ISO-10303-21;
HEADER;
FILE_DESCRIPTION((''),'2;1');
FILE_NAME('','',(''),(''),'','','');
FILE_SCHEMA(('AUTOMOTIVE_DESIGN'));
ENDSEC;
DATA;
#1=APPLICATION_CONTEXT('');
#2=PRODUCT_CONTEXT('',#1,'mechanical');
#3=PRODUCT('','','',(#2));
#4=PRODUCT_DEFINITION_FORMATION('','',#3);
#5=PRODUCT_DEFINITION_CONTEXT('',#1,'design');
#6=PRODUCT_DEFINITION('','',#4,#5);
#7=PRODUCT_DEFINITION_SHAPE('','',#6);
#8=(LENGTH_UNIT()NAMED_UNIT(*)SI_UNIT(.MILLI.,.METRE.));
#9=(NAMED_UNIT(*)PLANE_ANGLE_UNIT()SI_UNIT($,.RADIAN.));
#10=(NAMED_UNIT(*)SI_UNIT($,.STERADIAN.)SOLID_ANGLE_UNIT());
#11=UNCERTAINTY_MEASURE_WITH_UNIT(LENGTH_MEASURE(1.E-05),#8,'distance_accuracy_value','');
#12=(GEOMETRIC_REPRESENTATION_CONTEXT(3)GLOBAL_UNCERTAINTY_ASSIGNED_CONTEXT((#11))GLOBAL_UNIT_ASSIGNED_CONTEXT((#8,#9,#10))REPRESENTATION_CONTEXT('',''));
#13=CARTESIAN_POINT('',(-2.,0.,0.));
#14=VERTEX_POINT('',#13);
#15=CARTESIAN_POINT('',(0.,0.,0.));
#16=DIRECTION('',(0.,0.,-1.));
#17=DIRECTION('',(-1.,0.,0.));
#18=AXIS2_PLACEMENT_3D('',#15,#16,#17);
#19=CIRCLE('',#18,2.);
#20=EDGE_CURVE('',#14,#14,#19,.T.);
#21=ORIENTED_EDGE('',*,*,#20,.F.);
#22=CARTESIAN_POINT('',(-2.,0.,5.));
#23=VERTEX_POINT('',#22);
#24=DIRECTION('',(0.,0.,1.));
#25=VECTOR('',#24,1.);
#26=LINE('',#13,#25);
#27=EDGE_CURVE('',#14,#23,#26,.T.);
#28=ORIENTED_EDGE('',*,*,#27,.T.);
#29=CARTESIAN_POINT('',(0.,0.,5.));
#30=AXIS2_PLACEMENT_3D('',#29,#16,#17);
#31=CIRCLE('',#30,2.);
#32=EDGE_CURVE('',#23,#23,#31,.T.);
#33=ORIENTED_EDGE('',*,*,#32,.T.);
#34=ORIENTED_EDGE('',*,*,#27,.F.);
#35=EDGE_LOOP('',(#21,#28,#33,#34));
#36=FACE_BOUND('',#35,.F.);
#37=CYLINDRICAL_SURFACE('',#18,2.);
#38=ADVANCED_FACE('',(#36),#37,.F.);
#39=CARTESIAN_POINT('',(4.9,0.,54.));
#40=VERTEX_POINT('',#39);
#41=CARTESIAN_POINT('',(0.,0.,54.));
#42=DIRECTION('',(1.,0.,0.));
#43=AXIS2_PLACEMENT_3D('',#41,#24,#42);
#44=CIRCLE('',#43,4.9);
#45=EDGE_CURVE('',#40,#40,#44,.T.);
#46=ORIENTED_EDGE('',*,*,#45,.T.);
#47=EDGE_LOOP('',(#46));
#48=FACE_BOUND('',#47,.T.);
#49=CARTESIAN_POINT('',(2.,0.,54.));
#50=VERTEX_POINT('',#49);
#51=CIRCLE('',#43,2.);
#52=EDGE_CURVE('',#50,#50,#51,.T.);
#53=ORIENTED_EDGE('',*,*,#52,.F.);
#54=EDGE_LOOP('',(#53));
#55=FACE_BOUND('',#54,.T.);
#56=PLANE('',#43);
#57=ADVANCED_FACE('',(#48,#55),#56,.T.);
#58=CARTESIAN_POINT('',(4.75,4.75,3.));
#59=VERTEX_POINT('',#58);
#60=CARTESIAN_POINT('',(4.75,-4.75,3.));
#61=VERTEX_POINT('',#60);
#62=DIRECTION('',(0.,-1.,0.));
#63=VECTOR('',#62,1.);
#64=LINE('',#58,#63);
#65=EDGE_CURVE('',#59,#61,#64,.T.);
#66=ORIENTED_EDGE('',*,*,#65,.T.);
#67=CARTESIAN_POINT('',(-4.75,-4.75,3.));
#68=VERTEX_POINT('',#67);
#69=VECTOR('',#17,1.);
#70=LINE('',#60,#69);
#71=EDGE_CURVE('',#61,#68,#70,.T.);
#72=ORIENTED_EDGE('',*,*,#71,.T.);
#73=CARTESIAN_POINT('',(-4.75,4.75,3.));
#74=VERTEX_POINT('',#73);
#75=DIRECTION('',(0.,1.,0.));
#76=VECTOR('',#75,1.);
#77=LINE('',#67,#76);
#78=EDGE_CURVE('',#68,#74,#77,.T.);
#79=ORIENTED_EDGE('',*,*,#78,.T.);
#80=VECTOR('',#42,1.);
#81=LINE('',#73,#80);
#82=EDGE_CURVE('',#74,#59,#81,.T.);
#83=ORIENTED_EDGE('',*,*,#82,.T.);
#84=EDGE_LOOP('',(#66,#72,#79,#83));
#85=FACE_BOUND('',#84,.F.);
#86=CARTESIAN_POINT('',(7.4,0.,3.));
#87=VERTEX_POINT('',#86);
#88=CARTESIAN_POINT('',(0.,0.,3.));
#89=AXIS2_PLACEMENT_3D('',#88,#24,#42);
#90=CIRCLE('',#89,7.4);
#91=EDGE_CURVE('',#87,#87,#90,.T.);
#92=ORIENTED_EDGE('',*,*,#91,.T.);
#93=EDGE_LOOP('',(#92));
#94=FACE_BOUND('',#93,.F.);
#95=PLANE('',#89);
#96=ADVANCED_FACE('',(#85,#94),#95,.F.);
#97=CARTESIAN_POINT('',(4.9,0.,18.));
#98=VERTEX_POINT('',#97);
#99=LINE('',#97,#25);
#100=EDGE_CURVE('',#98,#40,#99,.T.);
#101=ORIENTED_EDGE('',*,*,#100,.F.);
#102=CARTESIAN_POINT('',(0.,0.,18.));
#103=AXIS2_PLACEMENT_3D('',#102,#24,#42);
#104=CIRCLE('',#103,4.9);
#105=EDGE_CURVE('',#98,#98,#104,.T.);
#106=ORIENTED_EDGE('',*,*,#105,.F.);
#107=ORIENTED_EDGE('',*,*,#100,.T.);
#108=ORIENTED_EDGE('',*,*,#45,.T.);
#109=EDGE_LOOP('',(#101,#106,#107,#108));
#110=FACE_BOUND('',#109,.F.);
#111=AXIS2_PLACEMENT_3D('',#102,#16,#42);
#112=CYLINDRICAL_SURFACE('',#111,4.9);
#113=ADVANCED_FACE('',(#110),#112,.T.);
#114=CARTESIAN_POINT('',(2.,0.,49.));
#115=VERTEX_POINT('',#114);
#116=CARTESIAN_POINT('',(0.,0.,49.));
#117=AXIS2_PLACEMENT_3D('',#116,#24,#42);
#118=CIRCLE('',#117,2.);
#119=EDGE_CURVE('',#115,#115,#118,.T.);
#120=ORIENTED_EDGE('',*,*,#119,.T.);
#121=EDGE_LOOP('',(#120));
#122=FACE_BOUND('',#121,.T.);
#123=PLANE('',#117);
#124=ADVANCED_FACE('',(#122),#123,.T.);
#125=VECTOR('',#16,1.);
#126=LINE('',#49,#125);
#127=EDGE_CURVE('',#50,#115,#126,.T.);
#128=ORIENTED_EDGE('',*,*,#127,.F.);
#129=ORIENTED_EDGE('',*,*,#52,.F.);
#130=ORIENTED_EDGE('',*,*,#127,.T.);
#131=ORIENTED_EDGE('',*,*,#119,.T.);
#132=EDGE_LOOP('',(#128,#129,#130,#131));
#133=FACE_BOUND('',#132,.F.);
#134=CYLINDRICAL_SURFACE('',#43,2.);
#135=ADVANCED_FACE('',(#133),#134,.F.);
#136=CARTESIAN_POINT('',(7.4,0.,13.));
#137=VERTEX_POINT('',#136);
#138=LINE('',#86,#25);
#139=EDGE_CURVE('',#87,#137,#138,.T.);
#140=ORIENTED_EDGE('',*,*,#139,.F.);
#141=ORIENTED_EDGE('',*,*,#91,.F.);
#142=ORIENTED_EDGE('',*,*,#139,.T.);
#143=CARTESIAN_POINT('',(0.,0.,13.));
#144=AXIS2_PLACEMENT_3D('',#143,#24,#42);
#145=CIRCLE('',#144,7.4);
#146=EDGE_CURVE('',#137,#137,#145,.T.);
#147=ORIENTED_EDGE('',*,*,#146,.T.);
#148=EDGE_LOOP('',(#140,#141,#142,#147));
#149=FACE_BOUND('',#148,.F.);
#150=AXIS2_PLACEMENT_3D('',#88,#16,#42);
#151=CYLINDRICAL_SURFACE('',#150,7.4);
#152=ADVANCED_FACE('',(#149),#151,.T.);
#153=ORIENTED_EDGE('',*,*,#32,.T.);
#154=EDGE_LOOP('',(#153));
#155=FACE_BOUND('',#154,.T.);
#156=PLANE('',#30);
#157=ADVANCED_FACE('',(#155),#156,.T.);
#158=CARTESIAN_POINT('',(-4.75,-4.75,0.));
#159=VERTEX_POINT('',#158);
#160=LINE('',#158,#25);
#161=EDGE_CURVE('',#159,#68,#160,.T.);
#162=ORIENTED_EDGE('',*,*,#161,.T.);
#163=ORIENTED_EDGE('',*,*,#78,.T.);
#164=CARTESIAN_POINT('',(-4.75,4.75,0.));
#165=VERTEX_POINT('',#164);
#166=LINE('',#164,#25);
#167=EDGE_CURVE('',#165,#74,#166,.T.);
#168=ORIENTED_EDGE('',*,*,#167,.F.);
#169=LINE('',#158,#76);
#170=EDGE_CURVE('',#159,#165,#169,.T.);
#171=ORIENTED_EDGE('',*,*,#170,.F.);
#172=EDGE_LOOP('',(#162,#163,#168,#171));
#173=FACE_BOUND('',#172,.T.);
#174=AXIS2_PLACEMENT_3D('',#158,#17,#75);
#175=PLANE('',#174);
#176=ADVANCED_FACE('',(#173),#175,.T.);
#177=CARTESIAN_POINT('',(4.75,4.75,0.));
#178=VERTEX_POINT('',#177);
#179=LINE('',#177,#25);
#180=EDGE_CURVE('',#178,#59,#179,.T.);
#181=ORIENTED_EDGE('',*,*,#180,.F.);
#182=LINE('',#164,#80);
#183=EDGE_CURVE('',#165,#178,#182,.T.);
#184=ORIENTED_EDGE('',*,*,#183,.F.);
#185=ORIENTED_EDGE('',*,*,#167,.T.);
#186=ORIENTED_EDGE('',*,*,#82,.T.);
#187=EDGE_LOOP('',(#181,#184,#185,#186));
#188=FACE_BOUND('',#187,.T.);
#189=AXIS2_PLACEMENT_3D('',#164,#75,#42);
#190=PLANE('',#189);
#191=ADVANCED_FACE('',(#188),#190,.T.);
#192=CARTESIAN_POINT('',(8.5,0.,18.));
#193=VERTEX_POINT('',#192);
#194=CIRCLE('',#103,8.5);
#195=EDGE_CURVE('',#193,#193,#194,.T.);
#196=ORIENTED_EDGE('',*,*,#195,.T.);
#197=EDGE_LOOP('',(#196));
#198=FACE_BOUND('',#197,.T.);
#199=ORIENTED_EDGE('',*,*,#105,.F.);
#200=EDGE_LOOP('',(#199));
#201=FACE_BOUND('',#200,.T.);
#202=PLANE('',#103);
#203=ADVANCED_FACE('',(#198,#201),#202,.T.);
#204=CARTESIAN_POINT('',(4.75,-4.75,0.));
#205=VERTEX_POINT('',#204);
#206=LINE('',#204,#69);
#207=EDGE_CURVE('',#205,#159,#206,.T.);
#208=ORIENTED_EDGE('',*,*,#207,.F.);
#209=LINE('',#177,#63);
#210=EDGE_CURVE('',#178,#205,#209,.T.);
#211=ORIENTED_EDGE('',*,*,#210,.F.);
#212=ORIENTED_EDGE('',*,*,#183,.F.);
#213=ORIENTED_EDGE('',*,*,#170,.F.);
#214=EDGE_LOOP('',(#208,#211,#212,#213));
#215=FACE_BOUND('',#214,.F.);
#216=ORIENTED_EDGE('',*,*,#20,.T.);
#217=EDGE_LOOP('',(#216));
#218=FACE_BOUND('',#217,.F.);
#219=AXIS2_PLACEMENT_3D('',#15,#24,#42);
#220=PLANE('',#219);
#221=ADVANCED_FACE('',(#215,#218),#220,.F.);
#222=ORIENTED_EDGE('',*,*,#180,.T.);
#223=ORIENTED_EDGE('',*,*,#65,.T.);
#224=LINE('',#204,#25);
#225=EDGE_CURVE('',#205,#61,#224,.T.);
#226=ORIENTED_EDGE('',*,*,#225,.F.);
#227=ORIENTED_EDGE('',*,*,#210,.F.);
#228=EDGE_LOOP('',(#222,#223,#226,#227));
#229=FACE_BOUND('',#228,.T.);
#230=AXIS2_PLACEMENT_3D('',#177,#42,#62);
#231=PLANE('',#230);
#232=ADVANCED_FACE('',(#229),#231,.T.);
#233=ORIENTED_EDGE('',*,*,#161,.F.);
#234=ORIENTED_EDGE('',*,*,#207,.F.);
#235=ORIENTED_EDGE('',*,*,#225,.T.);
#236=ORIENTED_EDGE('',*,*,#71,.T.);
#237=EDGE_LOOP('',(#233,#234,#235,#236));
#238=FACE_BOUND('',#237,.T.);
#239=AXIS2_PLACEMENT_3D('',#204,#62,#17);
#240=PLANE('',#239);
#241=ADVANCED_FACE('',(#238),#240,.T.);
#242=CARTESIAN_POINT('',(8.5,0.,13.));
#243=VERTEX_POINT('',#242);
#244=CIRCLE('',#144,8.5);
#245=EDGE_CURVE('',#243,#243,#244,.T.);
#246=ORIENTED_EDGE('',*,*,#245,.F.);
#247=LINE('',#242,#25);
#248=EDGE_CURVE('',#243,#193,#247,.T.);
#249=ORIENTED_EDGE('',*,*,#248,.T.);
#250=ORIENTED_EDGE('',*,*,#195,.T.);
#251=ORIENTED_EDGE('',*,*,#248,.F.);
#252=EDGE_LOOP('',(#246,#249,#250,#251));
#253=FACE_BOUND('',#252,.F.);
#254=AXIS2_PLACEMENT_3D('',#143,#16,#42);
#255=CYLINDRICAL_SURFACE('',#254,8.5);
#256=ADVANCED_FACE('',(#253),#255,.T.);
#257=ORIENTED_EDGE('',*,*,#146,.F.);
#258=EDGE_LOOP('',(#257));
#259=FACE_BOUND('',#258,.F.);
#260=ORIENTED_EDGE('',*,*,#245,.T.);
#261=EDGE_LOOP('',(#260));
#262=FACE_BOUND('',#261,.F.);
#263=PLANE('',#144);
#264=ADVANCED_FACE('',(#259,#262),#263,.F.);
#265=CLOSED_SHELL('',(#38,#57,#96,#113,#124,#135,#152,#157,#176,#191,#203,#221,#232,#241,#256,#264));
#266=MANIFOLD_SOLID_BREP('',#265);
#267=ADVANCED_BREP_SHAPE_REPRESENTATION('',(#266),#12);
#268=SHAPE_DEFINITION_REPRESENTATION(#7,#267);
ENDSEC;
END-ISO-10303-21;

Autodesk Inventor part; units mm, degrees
ref_plane "XZ Plane" through (0, 0, 0) normal (0, 1, 0) x (-1, 0, 0)
ref_plane "XY Plane" through (0, 0, 0) normal (0, 0, 1) x (1, 0, 0)
sketch "Skizze1" plane through (0, 0, 0) normal (0, 0, 1) x (1, 0, 0)
  line L0 (-4.75, 4.75) -> (4.75, 4.75)
  line L1 (4.75, 4.75) -> (4.75, -4.75)
  line L2 (4.75, -4.75) -> (-4.75, -4.75)
  line L3 (-4.75, -4.75) -> (-4.75, 4.75)
  line L4 (-4.75, 4.75) -> (4.75, -4.75) construction
  line L5 (4.75, 4.75) -> (-4.75, -4.75) construction
  point P0 (0, 0)
  dimension "d0" = 9.5
  dimension "d1" = 9.5
extrude "Extrusion1" add sketch "Skizze1" along normal blind 3
sketch "Skizze2" plane through (0, 0, 3) normal (0, 0, 1) x (1, 0, 0)
  circle A0 centre (0, 0) radius 7.4
  dimension "d4" = 14.8
extrude "Extrusion2" add sketch "Skizze2" along normal blind 10
sketch "Skizze5" plane through (0, 0, 0) normal (0, 0, -1) x (-1, 0, 0)
  circle A0 centre (0, 0) radius 2
  dimension "d13" = 4
extrude "Extrusion5" cut sketch "Skizze5" against normal blind 5
sketch "Skizze6" plane through (0, 0, 13) normal (0, 0, 1) x (1, 0, 0)
  circle A0 centre (0, 0) radius 8.5
  dimension "d16" = 17
extrude "Extrusion6" add sketch "Skizze6" along normal blind 5
sketch "Skizze7" plane through (0, 0, 18) normal (0, 0, 1) x (1, 0, 0)
  circle A0 centre (0, 0) radius 4.9
  dimension "d19" = 9.8
extrude "Extrusion7" add sketch "Skizze7" along normal blind 36
sketch "Skizze8" plane through (0, 0, 54) normal (0, 0, 1) x (1, 0, 0)
  circle A0 centre (0, 0) radius 2
  dimension "d22" = 4
extrude "Extrusion8" cut sketch "Skizze8" against normal blind 5
properties part number "_3D-Druck"
